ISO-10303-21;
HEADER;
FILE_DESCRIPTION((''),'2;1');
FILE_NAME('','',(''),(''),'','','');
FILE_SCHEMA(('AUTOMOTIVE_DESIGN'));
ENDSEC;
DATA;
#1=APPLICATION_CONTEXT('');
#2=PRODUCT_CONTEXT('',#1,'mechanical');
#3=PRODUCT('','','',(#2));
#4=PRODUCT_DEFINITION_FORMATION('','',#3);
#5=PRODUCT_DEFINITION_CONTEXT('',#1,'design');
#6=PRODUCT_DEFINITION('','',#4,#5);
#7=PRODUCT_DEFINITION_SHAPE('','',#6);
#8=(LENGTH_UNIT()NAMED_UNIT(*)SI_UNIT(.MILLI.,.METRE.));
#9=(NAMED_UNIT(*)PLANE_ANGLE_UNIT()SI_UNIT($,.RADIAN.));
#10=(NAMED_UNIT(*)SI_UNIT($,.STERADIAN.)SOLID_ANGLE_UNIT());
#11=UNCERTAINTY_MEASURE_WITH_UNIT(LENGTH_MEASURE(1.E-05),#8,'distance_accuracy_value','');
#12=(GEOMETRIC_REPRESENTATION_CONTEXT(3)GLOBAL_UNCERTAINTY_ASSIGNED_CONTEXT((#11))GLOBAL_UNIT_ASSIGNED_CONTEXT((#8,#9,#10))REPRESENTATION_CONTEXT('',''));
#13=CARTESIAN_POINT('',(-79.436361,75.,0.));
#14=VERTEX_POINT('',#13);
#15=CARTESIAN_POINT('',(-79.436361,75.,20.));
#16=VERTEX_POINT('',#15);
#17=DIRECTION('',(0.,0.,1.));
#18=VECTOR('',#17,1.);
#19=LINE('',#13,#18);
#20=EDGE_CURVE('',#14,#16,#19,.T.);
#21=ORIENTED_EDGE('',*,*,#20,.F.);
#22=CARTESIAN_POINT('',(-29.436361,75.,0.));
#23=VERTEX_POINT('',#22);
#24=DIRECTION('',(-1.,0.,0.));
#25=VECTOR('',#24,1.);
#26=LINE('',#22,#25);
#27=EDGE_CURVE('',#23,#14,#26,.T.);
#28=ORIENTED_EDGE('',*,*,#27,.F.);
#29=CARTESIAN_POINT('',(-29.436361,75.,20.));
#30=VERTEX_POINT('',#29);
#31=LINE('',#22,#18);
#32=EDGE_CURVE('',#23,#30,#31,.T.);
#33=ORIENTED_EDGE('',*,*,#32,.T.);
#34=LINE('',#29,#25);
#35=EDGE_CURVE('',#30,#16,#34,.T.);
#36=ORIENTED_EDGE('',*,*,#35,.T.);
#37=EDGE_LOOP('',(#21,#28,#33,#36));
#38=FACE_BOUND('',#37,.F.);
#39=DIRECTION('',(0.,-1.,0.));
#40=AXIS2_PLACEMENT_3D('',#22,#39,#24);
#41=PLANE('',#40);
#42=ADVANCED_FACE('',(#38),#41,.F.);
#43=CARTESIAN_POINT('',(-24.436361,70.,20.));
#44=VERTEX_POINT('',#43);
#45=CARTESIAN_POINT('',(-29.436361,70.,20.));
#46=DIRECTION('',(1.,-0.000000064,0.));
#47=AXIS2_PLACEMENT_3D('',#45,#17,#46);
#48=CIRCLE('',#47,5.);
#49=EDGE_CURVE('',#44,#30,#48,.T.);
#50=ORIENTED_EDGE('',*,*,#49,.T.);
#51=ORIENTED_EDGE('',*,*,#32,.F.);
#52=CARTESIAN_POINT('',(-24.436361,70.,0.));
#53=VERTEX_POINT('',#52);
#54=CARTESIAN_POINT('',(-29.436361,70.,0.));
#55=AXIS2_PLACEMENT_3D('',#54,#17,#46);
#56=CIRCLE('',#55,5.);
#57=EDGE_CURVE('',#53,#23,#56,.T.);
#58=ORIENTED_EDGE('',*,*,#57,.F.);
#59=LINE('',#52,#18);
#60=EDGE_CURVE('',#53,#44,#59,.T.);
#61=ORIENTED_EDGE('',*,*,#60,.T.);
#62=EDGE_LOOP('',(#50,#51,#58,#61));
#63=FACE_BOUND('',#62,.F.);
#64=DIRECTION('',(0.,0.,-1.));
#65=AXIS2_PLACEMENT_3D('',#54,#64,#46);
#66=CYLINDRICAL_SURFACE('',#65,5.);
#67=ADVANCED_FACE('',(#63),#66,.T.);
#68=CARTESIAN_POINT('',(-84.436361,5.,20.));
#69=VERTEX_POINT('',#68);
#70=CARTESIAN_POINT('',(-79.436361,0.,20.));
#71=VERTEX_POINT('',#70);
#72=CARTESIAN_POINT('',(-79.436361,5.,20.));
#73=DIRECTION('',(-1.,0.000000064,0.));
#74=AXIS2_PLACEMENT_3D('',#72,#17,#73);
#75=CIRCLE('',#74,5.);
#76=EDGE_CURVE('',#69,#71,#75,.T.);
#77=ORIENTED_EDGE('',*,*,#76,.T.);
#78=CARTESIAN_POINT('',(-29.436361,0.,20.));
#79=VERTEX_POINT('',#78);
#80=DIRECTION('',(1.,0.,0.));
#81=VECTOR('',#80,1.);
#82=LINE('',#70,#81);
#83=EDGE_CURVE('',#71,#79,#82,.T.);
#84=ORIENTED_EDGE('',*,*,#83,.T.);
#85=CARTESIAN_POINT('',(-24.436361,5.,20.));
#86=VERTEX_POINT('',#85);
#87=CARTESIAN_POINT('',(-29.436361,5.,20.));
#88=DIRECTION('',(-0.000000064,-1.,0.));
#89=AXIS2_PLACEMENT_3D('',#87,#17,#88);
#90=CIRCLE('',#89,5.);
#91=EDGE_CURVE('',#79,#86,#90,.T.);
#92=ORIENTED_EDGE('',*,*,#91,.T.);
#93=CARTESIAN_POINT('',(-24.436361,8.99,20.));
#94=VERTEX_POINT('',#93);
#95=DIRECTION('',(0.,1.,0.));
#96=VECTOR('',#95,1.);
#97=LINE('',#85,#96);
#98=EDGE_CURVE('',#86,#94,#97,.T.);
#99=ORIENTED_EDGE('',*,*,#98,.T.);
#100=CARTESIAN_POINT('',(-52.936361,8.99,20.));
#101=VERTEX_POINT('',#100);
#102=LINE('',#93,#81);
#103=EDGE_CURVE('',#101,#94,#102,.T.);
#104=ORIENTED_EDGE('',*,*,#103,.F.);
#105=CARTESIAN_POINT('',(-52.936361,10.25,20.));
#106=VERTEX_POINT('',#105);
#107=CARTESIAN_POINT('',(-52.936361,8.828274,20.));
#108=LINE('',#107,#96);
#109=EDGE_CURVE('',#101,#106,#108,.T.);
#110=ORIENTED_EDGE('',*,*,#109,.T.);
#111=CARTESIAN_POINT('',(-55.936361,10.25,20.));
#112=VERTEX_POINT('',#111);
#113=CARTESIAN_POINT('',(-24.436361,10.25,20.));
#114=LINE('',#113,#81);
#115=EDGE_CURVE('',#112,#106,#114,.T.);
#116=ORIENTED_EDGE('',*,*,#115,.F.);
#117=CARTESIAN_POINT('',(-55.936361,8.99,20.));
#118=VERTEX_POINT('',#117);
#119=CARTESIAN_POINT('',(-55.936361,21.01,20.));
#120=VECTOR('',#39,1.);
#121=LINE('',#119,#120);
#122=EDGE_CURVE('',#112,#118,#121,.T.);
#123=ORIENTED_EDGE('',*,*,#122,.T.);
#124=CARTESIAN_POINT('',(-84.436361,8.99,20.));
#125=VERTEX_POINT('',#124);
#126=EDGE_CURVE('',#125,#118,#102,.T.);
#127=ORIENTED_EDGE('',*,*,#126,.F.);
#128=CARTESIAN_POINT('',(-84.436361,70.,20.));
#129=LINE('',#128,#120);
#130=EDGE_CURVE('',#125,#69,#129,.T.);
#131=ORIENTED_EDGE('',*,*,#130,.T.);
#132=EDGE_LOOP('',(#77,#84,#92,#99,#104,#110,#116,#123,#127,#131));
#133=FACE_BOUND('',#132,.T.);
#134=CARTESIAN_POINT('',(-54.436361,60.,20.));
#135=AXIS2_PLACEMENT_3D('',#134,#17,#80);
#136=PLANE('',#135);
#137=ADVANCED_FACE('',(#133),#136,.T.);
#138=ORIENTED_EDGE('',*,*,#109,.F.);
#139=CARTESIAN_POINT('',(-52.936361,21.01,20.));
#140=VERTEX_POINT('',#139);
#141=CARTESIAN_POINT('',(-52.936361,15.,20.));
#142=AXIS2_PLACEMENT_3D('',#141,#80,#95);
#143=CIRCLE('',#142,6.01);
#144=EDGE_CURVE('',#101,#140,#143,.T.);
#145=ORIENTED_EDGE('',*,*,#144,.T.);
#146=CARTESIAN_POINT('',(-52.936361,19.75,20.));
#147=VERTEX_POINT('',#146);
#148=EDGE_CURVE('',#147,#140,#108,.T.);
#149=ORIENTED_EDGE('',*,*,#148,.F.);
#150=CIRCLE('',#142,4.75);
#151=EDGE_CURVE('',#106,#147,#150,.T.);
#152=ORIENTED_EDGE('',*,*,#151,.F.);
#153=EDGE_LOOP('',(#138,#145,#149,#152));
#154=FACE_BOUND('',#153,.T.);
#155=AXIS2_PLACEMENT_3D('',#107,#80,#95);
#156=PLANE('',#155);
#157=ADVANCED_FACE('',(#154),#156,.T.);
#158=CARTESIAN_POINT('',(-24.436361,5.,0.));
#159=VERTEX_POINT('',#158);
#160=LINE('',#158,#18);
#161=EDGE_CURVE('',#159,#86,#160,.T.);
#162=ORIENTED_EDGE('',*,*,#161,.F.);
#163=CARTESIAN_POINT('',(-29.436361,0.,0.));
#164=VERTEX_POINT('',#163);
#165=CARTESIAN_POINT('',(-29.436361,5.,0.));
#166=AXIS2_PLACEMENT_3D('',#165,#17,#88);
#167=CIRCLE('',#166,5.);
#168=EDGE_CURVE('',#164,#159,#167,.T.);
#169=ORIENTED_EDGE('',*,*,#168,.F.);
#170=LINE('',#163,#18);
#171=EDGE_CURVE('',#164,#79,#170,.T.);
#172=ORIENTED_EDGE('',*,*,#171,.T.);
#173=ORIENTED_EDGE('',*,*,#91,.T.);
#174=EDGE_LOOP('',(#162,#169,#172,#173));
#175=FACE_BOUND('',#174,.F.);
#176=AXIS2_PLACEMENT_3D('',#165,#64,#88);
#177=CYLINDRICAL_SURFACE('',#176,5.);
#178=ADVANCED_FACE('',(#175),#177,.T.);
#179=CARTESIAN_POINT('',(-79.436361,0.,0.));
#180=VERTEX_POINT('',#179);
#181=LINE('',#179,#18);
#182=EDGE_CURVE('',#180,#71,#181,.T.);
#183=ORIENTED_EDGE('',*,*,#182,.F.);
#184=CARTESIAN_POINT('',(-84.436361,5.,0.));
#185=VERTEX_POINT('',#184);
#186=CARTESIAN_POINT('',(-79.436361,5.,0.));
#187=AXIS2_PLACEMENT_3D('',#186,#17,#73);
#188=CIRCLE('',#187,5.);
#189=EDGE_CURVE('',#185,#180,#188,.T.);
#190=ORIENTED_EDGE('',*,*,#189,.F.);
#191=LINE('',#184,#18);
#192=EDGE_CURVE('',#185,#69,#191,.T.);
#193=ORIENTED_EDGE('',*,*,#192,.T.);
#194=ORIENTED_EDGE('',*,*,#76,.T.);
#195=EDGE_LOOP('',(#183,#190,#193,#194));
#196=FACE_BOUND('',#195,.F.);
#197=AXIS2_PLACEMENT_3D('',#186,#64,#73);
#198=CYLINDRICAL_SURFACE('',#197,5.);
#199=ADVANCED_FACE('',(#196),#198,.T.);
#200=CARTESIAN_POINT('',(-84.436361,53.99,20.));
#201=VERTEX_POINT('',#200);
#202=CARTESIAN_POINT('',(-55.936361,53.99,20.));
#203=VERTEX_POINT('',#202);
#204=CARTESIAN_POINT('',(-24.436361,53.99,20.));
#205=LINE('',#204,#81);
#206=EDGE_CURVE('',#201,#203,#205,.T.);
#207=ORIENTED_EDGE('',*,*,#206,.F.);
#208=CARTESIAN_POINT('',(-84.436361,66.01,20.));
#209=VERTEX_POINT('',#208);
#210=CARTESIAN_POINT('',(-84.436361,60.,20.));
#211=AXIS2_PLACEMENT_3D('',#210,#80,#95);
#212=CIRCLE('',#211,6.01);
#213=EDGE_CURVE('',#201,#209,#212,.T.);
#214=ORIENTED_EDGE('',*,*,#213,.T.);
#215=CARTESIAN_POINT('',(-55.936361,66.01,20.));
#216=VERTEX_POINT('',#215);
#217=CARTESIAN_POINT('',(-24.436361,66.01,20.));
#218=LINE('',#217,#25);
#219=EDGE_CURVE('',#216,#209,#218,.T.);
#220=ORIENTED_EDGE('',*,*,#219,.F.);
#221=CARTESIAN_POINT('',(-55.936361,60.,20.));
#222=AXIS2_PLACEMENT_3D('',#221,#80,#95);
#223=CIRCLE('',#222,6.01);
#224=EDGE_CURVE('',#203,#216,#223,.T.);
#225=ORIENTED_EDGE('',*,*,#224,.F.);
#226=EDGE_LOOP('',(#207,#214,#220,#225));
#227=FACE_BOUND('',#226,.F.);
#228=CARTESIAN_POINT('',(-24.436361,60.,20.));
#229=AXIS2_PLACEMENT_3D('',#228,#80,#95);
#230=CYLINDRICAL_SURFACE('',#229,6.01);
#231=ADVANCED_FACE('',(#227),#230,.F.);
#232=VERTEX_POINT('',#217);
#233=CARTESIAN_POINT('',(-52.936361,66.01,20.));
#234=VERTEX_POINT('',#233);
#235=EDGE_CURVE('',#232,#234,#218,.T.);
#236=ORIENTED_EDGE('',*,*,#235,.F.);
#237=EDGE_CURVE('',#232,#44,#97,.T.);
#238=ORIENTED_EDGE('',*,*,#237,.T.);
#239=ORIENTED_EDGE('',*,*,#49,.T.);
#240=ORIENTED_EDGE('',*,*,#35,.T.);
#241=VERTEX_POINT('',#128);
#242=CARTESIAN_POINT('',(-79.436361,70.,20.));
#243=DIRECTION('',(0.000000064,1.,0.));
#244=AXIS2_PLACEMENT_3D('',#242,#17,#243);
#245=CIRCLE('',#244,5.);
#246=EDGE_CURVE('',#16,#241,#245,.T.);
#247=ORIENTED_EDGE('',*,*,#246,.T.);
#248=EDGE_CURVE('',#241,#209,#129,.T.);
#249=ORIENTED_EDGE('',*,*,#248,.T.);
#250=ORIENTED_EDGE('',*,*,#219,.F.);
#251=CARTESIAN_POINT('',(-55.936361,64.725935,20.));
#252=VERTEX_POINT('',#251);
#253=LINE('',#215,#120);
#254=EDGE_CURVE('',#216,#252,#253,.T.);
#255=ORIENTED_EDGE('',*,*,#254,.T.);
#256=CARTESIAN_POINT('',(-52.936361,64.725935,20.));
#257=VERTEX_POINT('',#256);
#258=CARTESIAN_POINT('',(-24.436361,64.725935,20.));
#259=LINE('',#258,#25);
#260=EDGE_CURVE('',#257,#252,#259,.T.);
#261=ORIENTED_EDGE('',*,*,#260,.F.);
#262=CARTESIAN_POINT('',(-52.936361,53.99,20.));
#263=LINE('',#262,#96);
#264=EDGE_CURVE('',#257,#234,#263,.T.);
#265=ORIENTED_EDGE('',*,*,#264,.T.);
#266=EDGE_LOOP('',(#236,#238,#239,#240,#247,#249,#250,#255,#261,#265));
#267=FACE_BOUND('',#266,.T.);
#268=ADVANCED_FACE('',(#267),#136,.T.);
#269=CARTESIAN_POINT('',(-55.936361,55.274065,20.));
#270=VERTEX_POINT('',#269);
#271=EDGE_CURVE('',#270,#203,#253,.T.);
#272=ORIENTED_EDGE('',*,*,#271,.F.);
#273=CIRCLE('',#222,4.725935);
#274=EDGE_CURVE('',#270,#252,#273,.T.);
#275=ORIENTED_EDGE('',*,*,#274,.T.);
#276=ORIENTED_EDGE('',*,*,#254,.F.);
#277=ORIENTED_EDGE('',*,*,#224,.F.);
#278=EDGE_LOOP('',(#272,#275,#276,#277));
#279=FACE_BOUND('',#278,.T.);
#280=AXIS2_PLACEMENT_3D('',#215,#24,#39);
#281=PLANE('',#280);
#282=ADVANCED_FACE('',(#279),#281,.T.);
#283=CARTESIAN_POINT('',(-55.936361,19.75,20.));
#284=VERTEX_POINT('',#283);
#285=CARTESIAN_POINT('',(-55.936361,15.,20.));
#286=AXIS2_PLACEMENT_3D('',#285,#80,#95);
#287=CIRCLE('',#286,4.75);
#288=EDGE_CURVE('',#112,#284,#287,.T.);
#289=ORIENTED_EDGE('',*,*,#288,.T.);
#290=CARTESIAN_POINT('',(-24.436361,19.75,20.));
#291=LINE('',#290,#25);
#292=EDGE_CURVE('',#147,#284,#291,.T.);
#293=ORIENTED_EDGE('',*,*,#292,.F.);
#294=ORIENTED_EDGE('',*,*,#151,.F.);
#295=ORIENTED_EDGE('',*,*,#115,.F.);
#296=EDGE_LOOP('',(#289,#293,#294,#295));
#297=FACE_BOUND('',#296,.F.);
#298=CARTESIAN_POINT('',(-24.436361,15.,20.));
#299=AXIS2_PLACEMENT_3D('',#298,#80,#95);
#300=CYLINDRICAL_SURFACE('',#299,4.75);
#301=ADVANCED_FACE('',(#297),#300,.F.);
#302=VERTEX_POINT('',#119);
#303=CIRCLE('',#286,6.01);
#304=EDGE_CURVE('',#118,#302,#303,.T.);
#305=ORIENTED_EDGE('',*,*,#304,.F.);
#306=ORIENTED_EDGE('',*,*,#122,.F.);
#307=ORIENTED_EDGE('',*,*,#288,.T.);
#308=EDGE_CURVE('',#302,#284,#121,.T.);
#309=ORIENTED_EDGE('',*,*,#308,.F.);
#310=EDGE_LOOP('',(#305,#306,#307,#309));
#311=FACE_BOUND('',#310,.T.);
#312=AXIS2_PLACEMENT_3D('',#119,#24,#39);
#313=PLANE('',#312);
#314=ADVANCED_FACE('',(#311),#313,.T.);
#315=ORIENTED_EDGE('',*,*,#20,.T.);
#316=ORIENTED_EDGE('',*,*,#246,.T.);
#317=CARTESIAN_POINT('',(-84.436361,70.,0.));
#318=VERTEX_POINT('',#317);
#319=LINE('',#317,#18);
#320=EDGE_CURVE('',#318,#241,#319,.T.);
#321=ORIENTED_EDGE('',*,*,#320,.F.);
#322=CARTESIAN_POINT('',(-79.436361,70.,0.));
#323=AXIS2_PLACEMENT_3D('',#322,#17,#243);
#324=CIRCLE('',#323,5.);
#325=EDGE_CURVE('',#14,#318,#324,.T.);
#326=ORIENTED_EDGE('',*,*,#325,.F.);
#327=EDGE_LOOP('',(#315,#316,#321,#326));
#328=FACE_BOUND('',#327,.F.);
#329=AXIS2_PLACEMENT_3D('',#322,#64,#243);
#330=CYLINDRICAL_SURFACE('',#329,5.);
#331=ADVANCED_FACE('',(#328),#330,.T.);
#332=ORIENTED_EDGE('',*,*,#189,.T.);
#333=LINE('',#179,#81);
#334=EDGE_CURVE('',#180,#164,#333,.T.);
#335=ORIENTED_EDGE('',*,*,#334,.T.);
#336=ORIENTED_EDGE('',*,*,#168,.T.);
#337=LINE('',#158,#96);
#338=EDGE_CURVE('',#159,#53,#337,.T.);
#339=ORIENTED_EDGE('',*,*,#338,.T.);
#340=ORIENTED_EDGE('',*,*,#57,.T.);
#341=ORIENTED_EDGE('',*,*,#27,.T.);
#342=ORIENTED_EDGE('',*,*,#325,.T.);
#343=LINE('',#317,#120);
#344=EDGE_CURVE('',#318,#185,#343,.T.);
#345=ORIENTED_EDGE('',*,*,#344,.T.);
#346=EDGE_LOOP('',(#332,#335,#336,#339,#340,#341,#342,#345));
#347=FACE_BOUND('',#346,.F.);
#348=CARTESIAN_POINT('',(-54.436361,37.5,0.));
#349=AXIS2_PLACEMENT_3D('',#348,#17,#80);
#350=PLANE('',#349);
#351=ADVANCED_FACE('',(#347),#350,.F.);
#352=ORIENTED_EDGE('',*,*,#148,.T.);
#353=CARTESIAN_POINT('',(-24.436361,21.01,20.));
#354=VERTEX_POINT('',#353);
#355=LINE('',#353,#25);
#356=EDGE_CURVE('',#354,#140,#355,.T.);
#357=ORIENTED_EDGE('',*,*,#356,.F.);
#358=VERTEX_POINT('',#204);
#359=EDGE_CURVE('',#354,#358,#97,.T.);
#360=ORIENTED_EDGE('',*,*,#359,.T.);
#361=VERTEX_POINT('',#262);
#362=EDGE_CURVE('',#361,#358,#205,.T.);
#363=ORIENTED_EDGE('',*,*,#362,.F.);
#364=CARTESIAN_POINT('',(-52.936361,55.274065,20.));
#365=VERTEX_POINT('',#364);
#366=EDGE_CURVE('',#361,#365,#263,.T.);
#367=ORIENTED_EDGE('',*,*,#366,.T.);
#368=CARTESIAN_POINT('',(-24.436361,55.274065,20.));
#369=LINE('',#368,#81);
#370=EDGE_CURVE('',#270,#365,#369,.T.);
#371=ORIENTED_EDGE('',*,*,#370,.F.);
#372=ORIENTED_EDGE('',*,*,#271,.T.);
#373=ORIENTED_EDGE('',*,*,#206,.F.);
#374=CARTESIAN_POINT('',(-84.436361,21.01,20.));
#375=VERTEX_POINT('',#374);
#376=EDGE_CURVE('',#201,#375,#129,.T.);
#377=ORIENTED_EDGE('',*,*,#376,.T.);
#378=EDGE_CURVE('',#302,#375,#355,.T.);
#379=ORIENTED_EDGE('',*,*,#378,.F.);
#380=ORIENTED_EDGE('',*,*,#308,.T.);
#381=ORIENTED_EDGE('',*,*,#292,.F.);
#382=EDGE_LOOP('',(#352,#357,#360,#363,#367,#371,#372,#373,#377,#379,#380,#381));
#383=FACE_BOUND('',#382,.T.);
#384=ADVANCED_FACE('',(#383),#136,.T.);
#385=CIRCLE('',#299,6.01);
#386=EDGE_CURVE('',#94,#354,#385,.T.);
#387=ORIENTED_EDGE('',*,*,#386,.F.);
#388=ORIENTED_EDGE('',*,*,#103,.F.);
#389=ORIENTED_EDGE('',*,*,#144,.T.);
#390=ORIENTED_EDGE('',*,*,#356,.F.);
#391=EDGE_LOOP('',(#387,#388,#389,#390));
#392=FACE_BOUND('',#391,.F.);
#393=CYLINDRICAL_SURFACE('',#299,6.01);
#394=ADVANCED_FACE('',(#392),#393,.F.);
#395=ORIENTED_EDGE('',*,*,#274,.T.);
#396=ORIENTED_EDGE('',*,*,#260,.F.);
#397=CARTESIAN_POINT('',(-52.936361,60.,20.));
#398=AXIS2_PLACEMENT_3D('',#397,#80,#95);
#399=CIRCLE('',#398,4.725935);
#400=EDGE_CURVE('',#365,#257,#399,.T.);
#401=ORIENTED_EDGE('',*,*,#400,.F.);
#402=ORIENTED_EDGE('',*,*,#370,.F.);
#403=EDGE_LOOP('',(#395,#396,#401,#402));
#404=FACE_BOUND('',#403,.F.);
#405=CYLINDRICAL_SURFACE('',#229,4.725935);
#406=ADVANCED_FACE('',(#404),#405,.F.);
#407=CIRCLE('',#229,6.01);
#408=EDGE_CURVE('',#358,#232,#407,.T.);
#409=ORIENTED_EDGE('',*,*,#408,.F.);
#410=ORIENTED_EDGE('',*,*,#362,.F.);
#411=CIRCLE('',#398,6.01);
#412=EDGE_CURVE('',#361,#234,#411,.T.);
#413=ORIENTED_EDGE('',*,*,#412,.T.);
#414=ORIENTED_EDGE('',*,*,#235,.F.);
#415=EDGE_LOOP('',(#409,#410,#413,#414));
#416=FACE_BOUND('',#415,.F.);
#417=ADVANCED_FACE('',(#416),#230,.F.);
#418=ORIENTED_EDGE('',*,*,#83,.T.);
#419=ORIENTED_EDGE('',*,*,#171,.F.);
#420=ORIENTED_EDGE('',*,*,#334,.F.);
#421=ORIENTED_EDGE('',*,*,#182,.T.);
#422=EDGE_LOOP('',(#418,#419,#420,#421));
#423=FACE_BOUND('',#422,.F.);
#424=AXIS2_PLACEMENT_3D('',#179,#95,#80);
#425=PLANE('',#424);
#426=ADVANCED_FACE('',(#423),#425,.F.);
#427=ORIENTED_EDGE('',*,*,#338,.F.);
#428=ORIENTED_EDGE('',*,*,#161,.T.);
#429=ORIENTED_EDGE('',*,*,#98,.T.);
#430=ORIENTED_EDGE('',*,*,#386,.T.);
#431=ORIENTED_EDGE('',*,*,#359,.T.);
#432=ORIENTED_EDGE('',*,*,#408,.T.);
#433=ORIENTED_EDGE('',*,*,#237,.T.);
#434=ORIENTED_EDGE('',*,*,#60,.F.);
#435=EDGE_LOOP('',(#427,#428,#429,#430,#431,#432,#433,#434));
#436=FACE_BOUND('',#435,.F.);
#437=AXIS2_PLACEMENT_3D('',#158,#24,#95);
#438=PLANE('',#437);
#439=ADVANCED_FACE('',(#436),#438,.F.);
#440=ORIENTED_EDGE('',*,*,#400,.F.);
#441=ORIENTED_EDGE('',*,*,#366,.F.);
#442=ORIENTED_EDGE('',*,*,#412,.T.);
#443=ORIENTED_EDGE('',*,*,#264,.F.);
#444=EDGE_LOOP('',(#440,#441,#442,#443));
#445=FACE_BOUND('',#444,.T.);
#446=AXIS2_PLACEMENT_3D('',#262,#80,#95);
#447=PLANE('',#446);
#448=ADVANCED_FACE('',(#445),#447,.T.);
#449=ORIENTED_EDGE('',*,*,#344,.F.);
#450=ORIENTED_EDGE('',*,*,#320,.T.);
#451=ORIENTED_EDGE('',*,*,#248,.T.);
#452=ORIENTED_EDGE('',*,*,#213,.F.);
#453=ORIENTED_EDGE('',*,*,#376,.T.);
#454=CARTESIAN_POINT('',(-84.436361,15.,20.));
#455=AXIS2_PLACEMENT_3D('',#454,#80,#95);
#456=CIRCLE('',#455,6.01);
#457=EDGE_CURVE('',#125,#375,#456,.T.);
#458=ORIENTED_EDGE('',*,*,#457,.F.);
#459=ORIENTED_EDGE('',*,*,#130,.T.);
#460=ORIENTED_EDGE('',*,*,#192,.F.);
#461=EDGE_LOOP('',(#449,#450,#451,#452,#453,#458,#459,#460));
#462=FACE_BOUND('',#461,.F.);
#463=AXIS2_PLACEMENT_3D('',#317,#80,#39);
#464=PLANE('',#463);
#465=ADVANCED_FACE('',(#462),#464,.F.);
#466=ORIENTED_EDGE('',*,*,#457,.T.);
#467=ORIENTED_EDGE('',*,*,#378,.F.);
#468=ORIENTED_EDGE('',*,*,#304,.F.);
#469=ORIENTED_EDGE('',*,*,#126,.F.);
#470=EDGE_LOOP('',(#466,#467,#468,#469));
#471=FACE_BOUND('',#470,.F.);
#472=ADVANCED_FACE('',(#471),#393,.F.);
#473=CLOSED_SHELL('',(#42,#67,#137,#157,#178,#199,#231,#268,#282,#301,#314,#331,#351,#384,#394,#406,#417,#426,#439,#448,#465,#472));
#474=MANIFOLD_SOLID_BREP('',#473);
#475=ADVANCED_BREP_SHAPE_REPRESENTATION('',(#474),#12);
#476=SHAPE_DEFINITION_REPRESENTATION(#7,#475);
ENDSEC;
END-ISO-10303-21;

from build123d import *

# Parameters (mm, degrees)
F1_DEPTH = 20
F2_R     = 6.01
F3_DEPTH = 60.001
F5_DEPTH = 7
F6_R     = 4.725935
F6_R_2   = 4.75
F7_DEPTH = 60.001


with BuildPart() as f1:
    # F0 (on Top) → F1 (new body)
    with BuildSketch(Plane.XY):
        with BuildLine():
            Line((-29.436361, 75), (-79.436361, 75))
            ThreePointArc((-79.436361, 75), (-82.971895, 73.535534), (-84.436361, 70))
            Line((-84.436361, 70), (-84.436361, 5))
            ThreePointArc((-84.436361, 5), (-82.971895, 1.464466), (-79.436361, 0))
            Line((-79.436361, 0), (-29.436361, 0))
            ThreePointArc((-29.436361, 0), (-25.900827, 1.464466), (-24.436361, 5))
            Line((-24.436361, 5), (-24.436361, 70))
            ThreePointArc((-24.436361, 70), (-25.900827, 73.535534), (-29.436361, 75))
        make_face()
    extrude(amount=F1_DEPTH)

    # F2 (on face) → F3 (cut, through all)
    with BuildSketch(Plane.YZ.offset(-24.436361)):
        with Locations((60, 20)):
            Circle(F2_R)
        with Locations((15, 20)):
            Circle(F2_R)
    extrude(amount=-F3_DEPTH, mode=Mode.SUBTRACT)

    # F4 (on face) → F5 (join)
    with BuildSketch(Plane.XY.offset(20)):
        Polygon((-55.936361, 53.99), (-54.436361, 53.99), (-52.936361, 53.99), (-52.936361, 66.01), (-55.936361, 66.01), align=None)
        Polygon((-52.936361, 21.01), (-54.436361, 21.01), (-55.936361, 21.01), (-55.936361, 8.828274), (-52.936361, 8.828274), align=None)
    extrude(amount=-F5_DEPTH)

    # F6 (on face) → F7 (cut, through all)
    with BuildSketch(Plane.YZ.offset(-24.436361)):
        with Locations((60, 20)):
            Circle(F6_R)
        with Locations((15, 20)):
            Circle(F6_R_2)
    extrude(amount=-F7_DEPTH, mode=Mode.SUBTRACT)


solid = f1.part
